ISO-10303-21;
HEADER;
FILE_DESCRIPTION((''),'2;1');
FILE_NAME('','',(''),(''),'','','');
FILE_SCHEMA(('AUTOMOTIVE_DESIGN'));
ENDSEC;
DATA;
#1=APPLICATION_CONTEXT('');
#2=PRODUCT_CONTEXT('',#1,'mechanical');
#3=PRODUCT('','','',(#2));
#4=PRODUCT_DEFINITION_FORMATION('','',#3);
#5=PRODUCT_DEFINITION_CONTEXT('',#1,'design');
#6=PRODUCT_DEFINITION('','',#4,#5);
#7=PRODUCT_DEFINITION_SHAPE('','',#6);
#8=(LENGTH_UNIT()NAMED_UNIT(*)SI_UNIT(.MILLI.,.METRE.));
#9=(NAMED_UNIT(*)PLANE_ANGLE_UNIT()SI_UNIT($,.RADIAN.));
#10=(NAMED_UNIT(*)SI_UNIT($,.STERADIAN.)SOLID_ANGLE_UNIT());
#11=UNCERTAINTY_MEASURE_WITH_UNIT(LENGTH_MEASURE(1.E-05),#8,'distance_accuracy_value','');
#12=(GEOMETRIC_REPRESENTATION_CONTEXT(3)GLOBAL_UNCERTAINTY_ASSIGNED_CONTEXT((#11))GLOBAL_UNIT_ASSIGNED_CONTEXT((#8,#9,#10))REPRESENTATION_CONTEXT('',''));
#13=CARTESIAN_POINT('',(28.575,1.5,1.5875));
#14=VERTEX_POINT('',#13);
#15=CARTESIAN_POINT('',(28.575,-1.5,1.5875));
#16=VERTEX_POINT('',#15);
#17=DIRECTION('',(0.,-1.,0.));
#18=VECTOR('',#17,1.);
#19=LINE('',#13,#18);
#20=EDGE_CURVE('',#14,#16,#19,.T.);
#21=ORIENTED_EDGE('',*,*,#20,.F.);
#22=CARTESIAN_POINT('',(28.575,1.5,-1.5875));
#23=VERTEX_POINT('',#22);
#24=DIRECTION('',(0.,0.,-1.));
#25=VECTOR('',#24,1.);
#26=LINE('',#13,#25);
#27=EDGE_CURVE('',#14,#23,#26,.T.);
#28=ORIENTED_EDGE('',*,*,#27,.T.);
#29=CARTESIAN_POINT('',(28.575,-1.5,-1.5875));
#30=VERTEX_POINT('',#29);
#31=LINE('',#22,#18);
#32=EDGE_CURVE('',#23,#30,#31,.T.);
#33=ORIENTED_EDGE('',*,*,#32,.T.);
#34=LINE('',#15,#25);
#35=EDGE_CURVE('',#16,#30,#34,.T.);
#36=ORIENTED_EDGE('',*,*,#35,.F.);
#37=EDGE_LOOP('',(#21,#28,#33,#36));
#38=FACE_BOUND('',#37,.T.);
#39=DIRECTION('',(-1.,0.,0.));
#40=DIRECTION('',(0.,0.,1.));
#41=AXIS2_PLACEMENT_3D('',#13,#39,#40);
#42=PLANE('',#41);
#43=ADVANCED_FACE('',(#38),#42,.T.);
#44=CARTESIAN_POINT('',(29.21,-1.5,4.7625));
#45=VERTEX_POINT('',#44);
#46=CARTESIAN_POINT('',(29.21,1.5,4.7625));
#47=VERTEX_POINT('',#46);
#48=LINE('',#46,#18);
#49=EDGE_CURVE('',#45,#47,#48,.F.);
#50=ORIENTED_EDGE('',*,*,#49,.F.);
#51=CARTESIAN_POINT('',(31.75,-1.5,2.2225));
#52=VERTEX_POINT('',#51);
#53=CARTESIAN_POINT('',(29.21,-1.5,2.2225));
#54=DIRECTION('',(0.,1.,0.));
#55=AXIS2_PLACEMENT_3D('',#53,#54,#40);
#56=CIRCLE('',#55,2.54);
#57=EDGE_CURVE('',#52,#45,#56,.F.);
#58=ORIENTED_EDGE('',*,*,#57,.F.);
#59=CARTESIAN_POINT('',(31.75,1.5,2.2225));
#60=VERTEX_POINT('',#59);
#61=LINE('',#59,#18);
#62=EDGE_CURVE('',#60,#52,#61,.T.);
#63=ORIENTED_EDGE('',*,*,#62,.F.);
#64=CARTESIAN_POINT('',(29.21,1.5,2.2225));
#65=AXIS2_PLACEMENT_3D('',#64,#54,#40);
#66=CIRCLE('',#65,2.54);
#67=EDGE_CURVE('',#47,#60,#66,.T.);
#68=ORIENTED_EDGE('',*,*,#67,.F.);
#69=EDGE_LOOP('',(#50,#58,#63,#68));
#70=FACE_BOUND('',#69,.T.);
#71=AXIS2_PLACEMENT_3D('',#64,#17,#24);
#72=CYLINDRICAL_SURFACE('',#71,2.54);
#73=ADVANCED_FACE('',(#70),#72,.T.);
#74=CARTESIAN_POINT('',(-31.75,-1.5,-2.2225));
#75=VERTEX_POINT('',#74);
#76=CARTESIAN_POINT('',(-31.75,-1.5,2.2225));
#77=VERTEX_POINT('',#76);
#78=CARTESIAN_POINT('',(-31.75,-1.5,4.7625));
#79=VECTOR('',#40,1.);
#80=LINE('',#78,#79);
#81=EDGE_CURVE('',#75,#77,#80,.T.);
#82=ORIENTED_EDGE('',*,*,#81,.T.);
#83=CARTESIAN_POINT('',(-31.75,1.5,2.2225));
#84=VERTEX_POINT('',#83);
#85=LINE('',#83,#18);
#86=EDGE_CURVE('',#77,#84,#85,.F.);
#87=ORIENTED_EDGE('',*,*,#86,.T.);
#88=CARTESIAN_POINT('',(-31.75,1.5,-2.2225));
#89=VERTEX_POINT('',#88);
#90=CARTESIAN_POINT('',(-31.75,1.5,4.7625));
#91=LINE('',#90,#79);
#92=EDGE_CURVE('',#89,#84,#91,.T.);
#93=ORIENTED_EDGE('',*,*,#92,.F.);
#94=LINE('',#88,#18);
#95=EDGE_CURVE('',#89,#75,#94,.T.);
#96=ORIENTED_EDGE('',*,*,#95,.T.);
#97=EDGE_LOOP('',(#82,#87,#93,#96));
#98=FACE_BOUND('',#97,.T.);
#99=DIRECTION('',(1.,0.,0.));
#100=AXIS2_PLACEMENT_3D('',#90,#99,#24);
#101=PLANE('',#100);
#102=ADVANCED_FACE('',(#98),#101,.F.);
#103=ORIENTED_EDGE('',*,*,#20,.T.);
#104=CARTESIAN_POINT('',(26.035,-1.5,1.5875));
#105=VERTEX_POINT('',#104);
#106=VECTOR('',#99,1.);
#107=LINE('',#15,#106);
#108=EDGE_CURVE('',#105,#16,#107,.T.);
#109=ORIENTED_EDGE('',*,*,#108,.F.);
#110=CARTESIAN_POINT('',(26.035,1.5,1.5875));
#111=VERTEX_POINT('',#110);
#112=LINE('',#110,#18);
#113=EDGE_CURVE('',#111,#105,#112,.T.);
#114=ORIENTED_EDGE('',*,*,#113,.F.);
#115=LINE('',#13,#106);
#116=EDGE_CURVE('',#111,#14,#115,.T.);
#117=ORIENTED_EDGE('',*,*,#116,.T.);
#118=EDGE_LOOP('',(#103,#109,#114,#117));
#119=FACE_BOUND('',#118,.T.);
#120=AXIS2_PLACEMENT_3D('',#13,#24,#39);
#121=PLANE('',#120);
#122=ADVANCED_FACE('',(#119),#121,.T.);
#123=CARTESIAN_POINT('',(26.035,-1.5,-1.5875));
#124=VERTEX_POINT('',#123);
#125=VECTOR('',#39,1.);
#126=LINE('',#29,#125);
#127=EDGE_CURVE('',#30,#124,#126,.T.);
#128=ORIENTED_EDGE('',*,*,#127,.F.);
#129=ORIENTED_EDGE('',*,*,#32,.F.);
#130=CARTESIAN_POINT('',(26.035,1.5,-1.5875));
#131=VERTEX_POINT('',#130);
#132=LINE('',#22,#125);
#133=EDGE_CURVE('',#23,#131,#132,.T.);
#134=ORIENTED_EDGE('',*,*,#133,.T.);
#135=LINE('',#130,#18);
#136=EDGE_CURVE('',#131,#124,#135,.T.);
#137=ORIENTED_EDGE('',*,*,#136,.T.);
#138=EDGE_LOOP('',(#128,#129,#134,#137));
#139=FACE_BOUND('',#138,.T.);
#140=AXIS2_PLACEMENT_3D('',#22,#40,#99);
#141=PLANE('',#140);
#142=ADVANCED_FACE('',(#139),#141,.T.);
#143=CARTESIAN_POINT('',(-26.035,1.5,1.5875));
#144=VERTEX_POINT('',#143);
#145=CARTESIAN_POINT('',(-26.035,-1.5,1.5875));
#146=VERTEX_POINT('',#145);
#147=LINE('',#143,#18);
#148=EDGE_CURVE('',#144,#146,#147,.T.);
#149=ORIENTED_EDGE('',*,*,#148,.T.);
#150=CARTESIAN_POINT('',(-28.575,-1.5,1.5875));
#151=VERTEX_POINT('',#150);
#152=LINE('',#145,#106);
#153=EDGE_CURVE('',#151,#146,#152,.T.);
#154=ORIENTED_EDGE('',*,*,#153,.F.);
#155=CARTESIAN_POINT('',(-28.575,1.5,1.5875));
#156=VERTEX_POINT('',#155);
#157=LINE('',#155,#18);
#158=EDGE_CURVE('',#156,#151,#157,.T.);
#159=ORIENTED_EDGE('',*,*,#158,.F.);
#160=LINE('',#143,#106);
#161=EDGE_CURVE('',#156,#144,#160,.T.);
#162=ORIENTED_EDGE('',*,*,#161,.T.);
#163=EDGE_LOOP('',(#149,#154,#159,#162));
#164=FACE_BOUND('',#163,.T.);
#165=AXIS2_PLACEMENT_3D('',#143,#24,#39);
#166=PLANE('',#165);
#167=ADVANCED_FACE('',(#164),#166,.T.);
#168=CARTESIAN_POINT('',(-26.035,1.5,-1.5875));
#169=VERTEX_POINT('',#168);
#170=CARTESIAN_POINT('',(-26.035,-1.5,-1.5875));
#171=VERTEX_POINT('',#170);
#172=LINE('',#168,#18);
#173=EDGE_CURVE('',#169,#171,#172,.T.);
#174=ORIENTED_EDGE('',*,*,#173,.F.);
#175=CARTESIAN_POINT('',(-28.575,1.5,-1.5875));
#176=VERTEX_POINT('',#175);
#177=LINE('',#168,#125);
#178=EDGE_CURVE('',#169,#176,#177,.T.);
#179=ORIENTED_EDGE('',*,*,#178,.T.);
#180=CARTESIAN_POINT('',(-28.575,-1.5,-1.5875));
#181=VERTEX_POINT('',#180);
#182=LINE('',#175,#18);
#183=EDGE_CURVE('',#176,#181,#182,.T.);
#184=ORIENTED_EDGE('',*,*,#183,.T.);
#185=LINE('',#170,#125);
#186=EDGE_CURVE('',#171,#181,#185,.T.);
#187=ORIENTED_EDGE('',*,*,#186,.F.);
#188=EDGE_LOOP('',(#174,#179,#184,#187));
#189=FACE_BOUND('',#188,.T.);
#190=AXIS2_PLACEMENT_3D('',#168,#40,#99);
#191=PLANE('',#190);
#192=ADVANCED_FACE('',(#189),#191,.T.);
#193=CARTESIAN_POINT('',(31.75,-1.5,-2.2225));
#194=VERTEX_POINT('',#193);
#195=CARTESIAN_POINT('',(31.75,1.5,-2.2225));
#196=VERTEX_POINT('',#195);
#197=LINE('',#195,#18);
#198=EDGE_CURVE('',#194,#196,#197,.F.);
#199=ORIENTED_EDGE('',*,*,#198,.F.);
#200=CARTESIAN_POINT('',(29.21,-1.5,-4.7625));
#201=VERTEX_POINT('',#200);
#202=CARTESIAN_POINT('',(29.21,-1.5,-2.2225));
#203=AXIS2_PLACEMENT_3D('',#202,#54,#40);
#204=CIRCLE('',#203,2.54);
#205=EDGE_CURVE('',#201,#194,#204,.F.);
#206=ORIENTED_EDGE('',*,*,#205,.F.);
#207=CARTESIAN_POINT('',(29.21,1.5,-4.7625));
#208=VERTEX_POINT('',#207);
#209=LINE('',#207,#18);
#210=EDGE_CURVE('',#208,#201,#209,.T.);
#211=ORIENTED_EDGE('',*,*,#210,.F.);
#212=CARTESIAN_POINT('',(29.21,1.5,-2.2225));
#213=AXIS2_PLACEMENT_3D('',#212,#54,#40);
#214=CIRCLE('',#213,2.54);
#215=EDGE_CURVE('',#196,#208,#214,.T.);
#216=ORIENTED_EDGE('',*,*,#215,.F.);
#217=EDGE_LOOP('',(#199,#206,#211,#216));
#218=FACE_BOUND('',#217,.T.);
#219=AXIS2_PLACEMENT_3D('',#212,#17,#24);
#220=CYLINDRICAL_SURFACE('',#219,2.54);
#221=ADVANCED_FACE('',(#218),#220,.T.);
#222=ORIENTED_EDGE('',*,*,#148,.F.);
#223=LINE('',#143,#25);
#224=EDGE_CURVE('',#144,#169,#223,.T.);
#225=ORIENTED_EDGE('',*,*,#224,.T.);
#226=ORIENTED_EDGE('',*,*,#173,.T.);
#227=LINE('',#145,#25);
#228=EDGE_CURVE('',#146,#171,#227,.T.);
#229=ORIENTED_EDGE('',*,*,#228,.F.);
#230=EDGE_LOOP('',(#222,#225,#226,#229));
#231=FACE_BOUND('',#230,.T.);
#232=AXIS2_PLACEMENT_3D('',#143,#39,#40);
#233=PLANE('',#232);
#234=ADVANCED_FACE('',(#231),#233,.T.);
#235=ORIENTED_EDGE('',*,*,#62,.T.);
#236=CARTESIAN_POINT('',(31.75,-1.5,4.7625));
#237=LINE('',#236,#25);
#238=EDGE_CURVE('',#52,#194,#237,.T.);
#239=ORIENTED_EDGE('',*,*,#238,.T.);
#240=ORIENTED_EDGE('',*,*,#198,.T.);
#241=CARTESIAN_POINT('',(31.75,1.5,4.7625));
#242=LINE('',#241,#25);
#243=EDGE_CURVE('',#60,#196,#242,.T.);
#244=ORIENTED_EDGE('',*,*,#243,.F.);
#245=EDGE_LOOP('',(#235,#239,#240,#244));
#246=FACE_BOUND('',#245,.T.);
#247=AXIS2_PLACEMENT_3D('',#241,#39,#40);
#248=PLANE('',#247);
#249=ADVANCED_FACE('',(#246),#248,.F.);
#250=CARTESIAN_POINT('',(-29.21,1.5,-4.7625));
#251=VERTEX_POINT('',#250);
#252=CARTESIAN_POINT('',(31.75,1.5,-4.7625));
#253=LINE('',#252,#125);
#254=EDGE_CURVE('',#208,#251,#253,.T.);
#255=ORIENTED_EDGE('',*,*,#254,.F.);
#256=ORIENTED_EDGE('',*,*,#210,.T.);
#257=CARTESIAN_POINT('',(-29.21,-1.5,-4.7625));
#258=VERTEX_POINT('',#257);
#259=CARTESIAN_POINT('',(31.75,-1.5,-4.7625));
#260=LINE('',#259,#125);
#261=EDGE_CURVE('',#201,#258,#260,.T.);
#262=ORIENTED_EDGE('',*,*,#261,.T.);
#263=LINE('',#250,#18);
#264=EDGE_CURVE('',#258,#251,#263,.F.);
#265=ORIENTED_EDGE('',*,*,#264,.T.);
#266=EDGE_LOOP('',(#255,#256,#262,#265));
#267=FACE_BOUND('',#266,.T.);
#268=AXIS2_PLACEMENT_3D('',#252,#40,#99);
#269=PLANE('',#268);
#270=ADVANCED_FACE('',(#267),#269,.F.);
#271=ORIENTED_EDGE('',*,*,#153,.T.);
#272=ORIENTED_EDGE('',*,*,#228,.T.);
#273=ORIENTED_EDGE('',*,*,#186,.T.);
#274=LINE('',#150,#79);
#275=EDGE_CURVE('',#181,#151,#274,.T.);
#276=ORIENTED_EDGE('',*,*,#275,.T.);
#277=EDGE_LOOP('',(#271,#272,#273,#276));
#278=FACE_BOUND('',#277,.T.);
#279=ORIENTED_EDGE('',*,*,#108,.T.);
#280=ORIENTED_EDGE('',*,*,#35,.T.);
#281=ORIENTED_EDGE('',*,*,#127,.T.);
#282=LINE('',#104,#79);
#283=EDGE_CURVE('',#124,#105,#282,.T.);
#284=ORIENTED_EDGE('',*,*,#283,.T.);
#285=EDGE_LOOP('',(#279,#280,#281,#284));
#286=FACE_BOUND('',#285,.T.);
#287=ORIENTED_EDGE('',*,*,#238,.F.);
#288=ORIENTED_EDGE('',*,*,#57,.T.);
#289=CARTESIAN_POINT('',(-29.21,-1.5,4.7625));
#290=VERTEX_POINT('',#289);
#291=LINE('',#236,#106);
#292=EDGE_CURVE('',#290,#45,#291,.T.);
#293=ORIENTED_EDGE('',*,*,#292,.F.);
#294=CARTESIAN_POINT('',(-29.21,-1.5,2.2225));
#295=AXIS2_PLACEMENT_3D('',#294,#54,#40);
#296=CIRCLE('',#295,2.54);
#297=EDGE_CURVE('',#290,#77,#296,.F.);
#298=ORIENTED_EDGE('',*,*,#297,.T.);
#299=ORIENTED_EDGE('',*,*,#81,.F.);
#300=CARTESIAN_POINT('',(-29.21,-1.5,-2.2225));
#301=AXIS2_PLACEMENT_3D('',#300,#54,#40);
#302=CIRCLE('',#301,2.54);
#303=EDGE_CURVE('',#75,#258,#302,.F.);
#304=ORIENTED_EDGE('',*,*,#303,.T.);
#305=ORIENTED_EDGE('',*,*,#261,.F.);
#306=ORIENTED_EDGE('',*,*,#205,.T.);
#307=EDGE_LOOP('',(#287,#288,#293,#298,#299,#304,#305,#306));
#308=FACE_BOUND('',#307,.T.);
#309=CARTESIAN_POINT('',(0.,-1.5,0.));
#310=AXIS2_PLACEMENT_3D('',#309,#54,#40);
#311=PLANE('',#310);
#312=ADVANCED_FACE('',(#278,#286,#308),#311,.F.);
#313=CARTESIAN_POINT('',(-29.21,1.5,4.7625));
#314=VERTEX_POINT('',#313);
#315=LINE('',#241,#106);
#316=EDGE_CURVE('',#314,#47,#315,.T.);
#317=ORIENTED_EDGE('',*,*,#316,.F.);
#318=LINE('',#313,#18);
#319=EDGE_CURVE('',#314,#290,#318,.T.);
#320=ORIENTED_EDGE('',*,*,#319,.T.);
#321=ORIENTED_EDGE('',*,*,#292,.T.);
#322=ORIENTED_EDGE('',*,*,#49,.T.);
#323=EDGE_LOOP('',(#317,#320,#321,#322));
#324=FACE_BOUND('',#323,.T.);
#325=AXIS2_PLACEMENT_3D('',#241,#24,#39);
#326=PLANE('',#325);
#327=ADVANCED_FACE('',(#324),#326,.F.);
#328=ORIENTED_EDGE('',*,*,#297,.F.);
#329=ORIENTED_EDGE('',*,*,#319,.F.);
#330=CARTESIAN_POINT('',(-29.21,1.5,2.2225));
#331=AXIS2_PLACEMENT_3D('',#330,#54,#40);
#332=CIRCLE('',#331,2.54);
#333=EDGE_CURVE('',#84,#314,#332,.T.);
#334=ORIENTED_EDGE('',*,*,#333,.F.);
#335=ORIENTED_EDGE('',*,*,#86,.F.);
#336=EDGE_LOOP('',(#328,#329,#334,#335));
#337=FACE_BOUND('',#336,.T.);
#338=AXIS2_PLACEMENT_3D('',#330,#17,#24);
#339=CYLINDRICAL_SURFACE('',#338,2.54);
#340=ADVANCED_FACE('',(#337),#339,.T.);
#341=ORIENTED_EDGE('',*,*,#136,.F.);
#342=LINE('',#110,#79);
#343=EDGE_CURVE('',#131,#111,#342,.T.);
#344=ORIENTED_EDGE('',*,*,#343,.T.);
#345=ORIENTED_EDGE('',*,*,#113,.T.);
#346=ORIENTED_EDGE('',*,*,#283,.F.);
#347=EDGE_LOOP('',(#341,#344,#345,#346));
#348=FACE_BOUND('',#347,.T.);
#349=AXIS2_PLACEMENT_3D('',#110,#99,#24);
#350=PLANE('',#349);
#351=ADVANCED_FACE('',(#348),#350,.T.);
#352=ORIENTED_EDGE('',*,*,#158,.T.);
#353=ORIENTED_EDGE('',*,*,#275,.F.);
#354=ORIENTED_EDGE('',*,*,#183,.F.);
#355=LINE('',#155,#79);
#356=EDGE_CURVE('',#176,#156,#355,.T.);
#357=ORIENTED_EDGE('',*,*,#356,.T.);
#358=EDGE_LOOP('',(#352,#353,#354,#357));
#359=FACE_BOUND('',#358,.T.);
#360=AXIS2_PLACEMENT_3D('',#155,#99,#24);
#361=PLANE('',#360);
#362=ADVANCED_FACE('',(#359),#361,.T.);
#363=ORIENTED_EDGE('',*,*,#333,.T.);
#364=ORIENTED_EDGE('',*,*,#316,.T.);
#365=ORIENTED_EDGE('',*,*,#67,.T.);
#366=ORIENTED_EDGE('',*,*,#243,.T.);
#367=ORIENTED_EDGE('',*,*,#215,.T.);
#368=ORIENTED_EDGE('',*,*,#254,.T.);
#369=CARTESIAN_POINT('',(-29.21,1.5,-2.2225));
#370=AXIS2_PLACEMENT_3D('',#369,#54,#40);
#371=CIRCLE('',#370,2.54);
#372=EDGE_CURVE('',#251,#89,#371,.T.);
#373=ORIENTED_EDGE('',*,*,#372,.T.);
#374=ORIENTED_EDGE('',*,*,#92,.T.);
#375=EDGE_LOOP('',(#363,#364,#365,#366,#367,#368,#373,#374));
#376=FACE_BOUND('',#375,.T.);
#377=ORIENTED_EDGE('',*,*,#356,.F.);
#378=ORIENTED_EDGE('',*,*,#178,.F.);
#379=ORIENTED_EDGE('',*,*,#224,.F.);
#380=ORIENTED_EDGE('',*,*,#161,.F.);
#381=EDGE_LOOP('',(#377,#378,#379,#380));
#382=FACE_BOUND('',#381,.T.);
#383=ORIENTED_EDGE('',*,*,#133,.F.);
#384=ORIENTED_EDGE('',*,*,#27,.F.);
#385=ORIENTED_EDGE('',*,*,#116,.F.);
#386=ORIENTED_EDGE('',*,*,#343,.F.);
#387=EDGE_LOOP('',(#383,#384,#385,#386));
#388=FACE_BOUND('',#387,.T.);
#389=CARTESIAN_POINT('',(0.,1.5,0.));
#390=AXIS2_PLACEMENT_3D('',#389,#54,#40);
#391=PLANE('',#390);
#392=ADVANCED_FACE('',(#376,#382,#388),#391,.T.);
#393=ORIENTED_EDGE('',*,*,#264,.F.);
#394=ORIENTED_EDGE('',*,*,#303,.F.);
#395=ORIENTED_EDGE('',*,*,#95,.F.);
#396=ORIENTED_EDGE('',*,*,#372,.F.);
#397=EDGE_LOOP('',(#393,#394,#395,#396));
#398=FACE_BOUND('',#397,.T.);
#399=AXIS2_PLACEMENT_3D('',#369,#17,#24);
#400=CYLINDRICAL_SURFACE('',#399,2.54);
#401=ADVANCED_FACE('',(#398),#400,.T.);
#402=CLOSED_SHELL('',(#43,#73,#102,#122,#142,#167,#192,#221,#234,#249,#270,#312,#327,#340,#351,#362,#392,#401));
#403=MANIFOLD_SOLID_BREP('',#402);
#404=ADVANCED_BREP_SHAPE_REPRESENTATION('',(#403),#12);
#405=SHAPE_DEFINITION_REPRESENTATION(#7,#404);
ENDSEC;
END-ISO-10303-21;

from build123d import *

# Parameters (mm, degrees)
SKETCH1_W           = 63.5
SKETCH1_H           = 9.525
SKETCH1_W_2         = 2.54
SKETCH1_H_2         = 3.175
BOSS_EXTRUDE1_DEPTH = 1.5
FILLET1_R           = 2.54


with BuildPart() as part:
    # Sketch1 → Boss-Extrude1 (new, symmetric)
    with BuildSketch(Plane(origin=(0, 0, 0), x_dir=(1, 0, 0), z_dir=(0, 1, 0))):
        Rectangle(SKETCH1_W, SKETCH1_H)
        with Locations((-27.305, 0)):
            Rectangle(SKETCH1_W_2, SKETCH1_H_2, mode=Mode.SUBTRACT)
        with Locations((27.305, 0)):
            Rectangle(SKETCH1_W_2, SKETCH1_H_2, mode=Mode.SUBTRACT)
    extrude(amount=BOSS_EXTRUDE1_DEPTH, both=True)

    # Fillet1
    fillet1_edges = [part.edges().sort_by_distance(p)[0] for p in [
        (-31.75, 0, -4.7625),
        (31.75, 0, -4.7625),
        (31.75, 0, 4.7625),
        (-31.75, 0, 4.7625),
    ]]
    fillet(fillet1_edges, radius=FILLET1_R)


solid = part.part
